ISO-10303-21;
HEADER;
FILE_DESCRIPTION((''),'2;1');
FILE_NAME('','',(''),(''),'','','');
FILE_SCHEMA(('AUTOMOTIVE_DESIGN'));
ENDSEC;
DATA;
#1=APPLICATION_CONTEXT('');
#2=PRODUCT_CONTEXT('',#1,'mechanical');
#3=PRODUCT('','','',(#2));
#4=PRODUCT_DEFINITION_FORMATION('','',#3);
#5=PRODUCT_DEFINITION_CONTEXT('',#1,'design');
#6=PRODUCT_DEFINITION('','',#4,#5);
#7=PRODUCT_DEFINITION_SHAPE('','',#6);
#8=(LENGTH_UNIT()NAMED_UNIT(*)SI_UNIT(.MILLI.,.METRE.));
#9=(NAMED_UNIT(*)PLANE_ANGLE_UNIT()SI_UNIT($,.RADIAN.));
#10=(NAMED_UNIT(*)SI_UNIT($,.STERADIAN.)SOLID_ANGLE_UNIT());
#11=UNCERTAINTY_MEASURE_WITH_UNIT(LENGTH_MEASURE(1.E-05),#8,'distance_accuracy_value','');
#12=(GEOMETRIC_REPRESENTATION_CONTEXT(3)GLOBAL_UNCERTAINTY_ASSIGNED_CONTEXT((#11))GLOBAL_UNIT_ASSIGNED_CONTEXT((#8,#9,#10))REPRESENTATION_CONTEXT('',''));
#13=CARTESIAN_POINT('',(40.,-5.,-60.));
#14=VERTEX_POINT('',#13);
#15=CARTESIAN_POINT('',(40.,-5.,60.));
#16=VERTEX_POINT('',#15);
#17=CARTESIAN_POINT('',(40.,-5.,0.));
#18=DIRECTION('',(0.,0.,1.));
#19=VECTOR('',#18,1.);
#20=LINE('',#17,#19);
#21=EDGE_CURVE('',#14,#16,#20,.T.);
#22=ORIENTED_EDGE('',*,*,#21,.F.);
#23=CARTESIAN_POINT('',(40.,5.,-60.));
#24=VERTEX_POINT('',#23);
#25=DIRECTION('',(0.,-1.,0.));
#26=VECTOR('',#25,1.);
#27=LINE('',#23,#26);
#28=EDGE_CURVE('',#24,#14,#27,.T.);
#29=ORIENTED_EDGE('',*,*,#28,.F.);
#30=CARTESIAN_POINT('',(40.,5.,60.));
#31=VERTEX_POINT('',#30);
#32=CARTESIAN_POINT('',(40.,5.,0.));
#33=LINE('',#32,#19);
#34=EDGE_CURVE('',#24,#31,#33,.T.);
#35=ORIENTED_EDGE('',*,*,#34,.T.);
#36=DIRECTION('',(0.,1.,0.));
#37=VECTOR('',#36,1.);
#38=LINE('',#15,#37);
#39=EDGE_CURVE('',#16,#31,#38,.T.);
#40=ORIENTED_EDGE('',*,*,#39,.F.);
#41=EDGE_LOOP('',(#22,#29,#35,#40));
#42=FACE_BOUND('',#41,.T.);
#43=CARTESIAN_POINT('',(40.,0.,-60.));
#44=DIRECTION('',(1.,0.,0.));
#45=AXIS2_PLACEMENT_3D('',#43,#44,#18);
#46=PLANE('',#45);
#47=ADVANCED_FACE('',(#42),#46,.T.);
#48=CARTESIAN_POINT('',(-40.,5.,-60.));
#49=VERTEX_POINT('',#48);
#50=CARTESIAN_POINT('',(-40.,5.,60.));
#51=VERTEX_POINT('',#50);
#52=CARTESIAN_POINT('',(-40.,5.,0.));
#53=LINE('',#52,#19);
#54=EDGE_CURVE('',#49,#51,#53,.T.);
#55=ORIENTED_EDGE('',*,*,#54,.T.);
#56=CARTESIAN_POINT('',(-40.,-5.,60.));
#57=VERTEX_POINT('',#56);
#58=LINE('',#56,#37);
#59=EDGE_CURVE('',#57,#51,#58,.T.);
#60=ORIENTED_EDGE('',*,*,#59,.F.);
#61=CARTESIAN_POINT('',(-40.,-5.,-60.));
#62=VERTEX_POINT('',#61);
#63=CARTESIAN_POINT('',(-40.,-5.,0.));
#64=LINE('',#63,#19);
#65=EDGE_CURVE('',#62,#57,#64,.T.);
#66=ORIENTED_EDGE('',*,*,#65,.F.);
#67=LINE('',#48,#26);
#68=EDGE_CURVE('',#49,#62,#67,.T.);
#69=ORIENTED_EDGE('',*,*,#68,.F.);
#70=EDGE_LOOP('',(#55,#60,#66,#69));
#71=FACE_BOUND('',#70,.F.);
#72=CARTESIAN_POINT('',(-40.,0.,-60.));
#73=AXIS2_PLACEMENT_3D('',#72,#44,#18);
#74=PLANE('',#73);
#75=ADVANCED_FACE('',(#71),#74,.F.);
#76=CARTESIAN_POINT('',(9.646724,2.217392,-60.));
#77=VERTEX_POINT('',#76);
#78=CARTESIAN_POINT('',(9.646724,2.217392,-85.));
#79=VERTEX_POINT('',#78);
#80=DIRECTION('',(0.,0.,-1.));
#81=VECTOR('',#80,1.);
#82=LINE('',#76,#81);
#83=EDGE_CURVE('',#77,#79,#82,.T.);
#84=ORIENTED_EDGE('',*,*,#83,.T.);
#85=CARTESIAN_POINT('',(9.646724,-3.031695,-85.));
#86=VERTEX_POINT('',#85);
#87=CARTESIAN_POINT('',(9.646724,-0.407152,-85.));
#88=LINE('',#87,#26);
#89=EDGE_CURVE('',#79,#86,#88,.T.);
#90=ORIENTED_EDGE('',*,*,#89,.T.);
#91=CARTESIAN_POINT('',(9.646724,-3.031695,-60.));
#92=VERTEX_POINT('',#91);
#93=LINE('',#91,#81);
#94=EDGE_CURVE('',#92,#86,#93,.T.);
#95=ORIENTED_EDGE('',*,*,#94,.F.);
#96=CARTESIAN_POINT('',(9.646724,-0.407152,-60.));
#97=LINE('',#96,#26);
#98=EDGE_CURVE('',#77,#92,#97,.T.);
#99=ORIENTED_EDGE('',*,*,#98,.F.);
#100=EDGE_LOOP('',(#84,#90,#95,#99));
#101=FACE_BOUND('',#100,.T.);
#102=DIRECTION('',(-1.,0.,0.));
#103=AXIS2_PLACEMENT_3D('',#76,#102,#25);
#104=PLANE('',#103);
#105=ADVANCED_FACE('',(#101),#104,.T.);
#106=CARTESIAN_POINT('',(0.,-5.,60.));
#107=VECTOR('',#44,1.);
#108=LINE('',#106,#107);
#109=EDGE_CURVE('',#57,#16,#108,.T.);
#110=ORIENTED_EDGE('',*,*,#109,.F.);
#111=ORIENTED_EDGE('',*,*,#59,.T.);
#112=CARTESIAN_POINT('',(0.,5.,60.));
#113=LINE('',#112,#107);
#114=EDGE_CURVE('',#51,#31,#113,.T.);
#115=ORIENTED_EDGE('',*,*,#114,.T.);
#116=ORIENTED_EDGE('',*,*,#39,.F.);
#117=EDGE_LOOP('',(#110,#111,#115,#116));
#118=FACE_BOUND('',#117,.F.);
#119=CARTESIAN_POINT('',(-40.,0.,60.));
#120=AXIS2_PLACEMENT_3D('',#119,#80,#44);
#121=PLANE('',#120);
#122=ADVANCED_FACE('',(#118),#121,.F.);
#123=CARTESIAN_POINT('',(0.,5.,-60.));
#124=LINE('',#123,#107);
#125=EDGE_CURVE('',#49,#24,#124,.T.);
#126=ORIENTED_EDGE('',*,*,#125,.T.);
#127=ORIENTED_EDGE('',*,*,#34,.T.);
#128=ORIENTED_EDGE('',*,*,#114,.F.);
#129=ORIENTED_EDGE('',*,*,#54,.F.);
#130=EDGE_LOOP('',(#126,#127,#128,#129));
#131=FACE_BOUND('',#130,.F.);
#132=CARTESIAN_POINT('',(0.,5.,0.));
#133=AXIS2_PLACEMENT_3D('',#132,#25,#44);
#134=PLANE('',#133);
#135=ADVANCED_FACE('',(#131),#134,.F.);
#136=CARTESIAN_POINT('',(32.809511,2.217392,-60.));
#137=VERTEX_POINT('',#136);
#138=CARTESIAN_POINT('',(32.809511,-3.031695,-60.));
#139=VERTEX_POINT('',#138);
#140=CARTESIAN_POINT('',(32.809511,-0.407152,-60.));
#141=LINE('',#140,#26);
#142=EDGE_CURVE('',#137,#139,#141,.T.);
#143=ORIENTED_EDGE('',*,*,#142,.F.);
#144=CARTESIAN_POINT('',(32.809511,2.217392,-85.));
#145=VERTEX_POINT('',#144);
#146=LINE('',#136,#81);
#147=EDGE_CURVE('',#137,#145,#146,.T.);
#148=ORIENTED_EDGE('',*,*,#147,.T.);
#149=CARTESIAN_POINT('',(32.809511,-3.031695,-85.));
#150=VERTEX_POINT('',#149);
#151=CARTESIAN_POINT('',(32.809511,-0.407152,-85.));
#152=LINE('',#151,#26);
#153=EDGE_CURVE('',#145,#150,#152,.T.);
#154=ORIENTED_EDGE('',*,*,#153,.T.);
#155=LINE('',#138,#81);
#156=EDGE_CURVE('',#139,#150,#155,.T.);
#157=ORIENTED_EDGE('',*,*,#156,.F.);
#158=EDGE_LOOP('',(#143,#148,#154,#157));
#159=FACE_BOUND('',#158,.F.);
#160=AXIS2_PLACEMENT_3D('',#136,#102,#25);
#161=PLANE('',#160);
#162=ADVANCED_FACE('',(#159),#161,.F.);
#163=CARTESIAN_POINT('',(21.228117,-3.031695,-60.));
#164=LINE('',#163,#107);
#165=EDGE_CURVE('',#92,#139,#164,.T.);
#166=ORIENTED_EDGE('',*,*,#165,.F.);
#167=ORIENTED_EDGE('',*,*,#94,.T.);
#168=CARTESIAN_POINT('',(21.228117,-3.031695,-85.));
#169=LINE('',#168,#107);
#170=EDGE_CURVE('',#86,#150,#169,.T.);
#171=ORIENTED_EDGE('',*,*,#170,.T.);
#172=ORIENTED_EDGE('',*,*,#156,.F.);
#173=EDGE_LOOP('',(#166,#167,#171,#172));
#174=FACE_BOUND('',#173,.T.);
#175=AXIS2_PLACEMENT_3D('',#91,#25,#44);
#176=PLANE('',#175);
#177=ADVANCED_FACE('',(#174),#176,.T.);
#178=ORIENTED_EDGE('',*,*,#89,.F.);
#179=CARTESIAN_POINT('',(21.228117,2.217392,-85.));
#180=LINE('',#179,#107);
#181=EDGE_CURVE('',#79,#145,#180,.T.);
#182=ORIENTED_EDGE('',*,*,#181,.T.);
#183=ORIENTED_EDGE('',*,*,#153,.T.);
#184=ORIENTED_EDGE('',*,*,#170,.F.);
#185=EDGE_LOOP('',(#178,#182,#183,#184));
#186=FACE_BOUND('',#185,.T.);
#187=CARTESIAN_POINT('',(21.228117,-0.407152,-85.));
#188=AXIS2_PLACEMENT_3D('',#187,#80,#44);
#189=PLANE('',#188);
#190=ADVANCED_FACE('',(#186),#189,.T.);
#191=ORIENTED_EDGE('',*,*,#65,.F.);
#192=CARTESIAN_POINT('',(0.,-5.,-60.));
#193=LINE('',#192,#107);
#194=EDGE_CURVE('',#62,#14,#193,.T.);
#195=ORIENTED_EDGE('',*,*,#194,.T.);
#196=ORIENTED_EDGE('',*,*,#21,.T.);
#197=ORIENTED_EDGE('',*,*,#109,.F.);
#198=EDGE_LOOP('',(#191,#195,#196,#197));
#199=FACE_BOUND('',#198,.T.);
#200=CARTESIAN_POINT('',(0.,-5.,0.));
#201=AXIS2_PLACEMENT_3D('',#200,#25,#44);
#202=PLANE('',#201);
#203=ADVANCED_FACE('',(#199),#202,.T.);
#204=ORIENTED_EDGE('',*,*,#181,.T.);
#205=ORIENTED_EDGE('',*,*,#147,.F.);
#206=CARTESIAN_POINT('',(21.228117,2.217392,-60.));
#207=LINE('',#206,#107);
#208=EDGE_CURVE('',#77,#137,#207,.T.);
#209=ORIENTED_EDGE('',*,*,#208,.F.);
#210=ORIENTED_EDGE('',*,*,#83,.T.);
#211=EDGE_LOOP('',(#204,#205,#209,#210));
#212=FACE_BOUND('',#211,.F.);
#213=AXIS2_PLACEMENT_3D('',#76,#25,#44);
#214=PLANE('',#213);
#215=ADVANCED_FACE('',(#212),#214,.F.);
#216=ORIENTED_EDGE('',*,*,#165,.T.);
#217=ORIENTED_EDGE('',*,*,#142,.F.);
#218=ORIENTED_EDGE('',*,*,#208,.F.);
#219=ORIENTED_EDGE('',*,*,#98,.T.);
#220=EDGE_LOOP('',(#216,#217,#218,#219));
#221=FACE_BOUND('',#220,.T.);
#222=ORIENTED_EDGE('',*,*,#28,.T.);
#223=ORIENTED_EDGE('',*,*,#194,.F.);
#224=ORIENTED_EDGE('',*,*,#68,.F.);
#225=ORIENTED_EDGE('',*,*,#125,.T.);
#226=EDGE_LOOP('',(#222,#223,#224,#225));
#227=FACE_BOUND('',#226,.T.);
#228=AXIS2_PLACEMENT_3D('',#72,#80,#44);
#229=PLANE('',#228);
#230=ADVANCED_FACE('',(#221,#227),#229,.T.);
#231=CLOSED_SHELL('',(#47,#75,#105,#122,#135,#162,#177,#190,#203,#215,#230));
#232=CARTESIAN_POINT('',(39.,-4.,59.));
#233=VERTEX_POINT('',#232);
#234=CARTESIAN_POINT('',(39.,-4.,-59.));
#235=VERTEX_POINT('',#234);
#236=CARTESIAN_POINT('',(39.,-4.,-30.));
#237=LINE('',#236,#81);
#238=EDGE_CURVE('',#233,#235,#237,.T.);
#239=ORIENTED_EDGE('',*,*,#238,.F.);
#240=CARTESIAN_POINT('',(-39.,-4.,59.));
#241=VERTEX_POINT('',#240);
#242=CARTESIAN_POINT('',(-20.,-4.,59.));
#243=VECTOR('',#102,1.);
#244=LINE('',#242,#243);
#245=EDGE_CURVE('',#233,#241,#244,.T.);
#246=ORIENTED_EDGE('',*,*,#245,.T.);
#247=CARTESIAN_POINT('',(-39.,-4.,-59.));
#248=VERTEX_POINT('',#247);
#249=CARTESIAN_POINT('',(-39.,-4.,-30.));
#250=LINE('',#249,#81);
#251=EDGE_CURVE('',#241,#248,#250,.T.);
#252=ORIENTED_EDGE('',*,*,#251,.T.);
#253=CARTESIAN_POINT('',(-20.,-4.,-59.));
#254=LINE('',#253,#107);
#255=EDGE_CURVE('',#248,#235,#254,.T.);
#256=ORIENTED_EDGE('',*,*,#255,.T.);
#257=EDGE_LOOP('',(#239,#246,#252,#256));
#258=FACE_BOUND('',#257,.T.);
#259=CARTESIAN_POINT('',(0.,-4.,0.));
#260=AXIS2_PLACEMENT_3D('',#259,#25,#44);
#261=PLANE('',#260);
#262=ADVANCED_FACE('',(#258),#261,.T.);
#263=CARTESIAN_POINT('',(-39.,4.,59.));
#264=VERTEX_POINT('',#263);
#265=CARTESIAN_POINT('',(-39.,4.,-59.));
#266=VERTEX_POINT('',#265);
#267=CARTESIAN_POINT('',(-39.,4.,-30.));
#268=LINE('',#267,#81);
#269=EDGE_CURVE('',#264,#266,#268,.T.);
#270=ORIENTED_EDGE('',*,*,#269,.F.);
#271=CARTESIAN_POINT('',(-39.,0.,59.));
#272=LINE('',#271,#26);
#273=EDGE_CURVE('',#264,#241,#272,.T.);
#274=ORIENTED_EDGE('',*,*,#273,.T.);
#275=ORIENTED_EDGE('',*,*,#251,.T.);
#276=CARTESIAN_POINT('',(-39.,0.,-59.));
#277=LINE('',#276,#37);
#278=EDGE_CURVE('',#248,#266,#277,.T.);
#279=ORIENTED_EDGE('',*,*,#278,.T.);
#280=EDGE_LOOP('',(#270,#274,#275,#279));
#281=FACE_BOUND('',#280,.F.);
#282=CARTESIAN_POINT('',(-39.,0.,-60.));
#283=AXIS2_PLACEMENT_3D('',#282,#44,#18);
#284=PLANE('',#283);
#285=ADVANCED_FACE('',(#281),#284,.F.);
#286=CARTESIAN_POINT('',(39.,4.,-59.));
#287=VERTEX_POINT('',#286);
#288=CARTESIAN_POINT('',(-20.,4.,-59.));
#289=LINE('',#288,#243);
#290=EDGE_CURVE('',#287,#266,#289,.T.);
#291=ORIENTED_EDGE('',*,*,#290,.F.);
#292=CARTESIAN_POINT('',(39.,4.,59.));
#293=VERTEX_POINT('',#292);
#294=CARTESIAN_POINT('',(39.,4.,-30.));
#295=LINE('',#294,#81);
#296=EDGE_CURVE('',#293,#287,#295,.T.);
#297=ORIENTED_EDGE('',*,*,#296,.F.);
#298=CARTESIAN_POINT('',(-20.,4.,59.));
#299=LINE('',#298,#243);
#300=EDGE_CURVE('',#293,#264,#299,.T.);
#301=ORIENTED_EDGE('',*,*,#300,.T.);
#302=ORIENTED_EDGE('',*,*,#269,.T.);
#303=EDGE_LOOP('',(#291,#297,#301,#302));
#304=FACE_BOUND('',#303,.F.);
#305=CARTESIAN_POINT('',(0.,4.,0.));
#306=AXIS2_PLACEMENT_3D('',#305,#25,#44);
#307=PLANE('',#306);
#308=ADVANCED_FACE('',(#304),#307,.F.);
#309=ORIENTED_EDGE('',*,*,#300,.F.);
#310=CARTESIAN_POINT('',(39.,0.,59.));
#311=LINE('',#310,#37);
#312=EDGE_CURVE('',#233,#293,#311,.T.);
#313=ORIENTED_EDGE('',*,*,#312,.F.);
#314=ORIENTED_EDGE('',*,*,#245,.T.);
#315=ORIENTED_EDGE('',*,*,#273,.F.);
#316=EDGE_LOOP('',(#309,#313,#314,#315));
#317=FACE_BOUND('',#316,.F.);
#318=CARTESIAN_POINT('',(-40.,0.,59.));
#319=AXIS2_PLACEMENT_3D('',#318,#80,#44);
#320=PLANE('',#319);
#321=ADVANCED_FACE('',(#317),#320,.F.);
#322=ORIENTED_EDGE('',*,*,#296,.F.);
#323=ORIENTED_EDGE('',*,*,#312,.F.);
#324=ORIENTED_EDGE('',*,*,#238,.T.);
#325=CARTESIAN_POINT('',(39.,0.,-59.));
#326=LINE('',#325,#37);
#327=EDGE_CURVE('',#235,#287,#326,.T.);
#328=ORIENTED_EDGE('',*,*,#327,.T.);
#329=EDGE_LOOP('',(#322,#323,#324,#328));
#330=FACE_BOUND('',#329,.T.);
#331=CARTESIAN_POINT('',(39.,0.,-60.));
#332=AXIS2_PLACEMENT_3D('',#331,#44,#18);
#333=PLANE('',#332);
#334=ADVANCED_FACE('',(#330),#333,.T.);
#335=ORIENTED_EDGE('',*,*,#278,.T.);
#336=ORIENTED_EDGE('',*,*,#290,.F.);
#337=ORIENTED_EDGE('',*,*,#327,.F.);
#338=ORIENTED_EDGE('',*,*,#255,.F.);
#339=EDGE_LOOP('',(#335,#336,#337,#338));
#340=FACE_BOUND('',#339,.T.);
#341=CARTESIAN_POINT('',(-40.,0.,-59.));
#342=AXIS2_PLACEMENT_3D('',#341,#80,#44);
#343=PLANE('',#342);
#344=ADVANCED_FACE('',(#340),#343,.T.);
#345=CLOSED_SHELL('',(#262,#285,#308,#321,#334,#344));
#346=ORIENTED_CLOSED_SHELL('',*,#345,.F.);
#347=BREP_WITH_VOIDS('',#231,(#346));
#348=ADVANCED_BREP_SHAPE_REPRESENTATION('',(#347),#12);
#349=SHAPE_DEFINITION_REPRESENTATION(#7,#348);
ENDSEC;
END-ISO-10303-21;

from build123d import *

# Parameters (mm, degrees)
F0_W     = 80
F0_H     = 120
F1_DEPTH = 5
F2_T     = -1
F3_W     = 23.1627868488
F3_H     = 5.2490865346
F4_DEPTH = 25


with BuildPart() as f1:
    # F0 (on Front) → F1 (new body, symmetric)
    with BuildSketch(Plane.XZ):
        Rectangle(F0_W, F0_H)
    extrude(amount=F1_DEPTH, both=True)

    # F2 (hollow: no face is removed)
    offset(amount=F2_T, mode=Mode.SUBTRACT)

    # F3 (on face) → F4 (join)
    with BuildSketch(Plane(origin=(0, 0, -60), x_dir=(1, 0, 0), z_dir=(0, 0, -1))):
        with Locations((21.2281174026, 0.4071515286)):
            Rectangle(F3_W, F3_H)
    extrude(amount=F4_DEPTH)


solid = f1.part
